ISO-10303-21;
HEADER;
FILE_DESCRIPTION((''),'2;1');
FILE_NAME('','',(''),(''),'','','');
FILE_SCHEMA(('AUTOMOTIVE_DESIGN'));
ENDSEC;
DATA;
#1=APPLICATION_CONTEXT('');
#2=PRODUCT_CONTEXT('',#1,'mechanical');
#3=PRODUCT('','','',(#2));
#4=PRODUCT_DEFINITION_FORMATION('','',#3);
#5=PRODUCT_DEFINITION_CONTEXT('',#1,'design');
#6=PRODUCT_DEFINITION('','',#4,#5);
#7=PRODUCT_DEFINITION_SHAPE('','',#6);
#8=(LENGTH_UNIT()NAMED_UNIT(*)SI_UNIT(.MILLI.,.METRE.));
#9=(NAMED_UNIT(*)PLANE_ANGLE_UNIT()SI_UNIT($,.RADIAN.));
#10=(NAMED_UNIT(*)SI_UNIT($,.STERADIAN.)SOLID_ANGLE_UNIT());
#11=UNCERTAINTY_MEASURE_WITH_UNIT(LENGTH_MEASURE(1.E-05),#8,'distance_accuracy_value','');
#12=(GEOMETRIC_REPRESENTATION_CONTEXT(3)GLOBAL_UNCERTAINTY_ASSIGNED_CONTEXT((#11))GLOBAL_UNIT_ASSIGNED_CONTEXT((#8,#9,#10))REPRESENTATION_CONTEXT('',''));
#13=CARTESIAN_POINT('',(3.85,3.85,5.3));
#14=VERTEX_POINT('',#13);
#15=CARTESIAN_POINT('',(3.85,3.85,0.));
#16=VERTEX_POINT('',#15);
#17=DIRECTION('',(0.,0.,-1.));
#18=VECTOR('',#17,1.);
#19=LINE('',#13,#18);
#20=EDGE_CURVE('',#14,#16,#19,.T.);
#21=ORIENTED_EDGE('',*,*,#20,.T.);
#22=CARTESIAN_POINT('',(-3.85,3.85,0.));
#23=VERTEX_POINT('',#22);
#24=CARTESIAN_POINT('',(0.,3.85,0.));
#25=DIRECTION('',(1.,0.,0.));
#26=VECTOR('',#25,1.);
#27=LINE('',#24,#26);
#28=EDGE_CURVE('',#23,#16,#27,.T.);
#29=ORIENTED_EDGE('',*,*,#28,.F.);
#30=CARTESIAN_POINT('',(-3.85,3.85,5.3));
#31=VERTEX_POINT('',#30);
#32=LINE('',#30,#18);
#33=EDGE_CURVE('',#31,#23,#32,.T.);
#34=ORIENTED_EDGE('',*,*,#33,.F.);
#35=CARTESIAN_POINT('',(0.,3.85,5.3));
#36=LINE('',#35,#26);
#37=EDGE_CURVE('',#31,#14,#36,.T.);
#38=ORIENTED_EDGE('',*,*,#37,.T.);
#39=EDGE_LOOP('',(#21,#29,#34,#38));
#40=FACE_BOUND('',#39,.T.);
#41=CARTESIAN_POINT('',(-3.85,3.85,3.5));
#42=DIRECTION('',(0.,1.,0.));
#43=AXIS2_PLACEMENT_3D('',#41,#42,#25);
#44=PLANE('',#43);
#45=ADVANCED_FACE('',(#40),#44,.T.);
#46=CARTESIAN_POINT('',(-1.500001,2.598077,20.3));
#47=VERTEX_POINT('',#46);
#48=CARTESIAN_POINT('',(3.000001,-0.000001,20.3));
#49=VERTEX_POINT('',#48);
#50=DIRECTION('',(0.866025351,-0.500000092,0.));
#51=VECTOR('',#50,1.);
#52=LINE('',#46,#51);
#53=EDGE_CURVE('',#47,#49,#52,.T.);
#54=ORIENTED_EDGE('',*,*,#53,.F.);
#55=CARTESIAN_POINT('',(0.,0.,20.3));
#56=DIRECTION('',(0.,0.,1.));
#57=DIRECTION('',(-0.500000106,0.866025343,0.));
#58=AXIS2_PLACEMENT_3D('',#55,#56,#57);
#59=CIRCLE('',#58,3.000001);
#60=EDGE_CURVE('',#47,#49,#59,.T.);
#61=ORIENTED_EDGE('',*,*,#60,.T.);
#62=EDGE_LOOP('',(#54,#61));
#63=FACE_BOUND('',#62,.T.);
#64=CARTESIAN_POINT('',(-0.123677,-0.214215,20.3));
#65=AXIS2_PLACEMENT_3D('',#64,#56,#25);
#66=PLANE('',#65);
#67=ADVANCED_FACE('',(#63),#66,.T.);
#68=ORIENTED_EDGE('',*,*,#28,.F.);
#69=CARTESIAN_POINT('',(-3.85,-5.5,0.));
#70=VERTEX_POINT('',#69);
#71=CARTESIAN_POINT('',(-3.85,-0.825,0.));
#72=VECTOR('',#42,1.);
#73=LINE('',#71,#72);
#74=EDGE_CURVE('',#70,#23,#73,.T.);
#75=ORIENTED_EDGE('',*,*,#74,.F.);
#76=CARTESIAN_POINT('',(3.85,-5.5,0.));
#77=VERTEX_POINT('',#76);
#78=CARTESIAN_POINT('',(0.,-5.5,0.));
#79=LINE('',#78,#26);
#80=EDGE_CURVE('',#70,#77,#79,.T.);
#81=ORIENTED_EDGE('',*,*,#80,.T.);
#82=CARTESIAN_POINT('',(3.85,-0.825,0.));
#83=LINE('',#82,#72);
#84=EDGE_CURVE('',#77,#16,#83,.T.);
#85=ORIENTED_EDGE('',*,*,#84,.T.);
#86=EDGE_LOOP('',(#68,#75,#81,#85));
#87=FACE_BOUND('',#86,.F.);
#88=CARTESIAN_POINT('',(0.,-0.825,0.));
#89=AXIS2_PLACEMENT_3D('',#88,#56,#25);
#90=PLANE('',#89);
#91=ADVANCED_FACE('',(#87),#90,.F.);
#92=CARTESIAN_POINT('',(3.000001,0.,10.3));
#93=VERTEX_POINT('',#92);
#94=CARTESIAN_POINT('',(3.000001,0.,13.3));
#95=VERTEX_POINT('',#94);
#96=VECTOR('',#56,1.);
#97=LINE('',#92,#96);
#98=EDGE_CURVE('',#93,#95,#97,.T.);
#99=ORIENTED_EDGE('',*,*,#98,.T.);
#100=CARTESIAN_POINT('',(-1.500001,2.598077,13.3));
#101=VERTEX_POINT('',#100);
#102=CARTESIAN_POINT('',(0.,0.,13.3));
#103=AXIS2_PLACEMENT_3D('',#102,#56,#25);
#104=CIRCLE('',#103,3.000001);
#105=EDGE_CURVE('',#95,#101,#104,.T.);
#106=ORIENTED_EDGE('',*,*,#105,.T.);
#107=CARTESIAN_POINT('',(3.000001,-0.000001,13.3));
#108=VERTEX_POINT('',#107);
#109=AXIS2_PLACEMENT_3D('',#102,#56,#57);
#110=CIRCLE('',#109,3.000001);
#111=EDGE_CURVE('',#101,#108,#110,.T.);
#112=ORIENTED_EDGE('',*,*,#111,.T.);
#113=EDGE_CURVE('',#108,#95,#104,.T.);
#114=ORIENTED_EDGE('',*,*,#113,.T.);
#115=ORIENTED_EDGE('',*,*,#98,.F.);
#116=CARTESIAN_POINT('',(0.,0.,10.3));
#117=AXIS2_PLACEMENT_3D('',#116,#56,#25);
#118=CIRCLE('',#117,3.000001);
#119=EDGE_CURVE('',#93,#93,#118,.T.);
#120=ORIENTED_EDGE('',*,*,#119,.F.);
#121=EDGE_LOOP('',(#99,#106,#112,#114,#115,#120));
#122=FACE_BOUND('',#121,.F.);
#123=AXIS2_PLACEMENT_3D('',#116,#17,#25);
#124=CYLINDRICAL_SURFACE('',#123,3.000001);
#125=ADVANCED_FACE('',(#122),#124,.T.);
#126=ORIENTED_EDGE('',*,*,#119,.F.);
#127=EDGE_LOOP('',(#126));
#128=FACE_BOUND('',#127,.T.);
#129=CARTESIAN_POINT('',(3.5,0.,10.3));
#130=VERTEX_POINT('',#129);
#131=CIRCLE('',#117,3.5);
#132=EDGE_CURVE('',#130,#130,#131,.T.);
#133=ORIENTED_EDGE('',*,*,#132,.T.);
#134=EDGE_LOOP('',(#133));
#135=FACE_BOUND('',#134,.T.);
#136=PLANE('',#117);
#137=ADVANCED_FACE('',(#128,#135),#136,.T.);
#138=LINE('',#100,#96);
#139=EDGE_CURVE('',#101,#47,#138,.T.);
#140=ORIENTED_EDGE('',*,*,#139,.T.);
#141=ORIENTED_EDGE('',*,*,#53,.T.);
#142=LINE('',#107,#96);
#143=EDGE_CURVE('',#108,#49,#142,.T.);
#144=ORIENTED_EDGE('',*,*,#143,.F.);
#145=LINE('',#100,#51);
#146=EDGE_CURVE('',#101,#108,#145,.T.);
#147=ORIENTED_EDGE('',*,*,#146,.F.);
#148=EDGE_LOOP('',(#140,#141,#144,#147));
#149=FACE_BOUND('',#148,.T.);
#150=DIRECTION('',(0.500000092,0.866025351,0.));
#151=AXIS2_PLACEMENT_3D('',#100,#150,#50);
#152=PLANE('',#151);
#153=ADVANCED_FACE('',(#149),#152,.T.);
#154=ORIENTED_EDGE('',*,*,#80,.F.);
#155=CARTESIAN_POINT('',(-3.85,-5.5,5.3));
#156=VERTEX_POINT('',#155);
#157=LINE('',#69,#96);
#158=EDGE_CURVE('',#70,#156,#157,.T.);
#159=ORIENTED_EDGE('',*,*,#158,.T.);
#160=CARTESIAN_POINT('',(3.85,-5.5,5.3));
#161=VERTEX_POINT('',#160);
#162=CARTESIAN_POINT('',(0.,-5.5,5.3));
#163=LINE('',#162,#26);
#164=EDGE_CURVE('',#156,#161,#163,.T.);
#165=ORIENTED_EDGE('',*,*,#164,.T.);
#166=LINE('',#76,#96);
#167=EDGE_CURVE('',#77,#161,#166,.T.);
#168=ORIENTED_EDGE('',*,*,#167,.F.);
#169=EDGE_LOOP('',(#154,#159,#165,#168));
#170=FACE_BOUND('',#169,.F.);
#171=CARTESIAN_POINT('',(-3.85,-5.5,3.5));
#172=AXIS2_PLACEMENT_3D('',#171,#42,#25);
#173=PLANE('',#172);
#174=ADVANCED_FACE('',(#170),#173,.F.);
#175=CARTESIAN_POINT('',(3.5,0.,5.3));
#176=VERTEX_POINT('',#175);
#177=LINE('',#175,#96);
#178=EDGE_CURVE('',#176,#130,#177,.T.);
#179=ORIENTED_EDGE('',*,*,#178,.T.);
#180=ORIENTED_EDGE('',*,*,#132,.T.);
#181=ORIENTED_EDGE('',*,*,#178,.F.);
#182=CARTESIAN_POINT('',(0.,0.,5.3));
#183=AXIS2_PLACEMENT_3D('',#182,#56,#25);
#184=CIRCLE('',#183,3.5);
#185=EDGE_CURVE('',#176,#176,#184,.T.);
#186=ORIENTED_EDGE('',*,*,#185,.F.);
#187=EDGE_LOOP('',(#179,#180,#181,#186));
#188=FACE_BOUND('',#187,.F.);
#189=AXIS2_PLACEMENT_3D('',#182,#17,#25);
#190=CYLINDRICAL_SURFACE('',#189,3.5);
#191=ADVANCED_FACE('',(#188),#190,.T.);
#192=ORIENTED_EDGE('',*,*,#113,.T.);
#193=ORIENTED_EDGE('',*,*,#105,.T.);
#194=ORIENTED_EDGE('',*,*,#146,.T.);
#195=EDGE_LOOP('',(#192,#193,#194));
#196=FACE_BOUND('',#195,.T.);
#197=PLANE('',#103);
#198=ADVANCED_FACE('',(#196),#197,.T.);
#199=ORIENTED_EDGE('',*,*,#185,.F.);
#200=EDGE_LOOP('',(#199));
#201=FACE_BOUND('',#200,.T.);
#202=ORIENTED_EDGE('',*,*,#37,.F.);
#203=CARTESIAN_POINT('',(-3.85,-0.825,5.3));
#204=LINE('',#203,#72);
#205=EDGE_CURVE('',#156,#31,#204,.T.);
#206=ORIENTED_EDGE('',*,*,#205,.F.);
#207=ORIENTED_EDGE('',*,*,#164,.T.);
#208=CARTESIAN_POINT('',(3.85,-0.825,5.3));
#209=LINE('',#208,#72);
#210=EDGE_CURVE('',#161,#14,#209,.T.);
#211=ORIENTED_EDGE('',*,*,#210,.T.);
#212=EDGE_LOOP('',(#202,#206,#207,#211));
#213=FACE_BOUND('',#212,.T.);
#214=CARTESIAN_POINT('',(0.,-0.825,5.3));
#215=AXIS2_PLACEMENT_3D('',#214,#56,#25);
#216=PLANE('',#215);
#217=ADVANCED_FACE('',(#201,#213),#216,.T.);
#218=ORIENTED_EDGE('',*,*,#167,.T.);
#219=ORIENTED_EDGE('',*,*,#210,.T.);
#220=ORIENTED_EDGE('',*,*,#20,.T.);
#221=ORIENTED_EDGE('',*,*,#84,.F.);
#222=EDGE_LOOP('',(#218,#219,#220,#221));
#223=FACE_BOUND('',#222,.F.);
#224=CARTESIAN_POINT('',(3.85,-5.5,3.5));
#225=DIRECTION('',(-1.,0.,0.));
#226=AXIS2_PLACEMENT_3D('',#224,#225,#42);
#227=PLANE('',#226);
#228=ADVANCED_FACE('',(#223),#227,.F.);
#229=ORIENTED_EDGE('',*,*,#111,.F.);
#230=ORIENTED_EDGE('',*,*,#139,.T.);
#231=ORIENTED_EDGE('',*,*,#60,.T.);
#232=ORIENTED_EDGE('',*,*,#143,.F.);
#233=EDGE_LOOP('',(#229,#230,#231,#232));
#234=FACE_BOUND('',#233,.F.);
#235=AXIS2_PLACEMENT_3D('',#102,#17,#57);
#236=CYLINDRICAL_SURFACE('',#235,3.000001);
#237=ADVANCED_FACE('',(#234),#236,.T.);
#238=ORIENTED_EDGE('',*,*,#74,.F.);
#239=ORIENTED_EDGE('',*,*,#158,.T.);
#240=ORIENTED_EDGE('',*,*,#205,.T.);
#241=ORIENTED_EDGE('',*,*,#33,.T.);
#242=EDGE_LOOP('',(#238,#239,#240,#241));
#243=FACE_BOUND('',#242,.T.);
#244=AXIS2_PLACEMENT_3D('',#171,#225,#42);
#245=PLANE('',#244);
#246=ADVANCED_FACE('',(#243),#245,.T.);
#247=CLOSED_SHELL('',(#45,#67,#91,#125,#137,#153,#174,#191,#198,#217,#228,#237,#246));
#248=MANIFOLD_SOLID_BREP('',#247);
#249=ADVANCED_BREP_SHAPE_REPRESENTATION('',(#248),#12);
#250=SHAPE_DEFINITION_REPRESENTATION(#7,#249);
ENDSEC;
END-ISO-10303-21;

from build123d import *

# Parameters (mm, degrees)
SKETCH002_W  = 7.7
SKETCH002_H  = 9.35
PAD_DEPTH    = 1
SKETCH003_W  = 7.7
SKETCH003_H  = 9.35
PAD001_DEPTH = 2.5
SKETCH004_W  = 7.7
SKETCH004_H  = 9.35
PAD002_DEPTH = 1.8
SKETCH005_R  = 3.5
PAD003_DEPTH = 5
SKETCH006_R  = 3.000001
PAD004_DEPTH = 3
PAD005_DEPTH = 7


with BuildPart() as part:
    # Sketch002 (on DatumPlane) → Pad (new body)
    with BuildSketch(Plane.XY):
        with Locations((0, -0.825)):
            Rectangle(SKETCH002_W, SKETCH002_H)
    extrude(amount=PAD_DEPTH)

    # Sketch003 (on DatumPlane) → Pad001 (join)
    with BuildSketch(Plane.XY.offset(1)):
        with Locations((0, -0.825)):
            Rectangle(SKETCH003_W, SKETCH003_H)
    extrude(amount=PAD001_DEPTH)

    # Sketch004 (on DatumPlane) → Pad002 (join)
    with BuildSketch(Plane.XY.offset(3.5)):
        with Locations((0, -0.825)):
            Rectangle(SKETCH004_W, SKETCH004_H)
    extrude(amount=PAD002_DEPTH)

    # Sketch005 (on DatumPlane) → Pad003 (join)
    with BuildSketch(Plane.XY.offset(5.3)):
        Circle(SKETCH005_R)
    extrude(amount=PAD003_DEPTH)

    # Sketch006 (on DatumPlane) → Pad004 (join)
    with BuildSketch(Plane.XY.offset(10.3)):
        Circle(SKETCH006_R)
    extrude(amount=PAD004_DEPTH)

    # Sketch007 (on DatumPlane) → Pad005 (join)
    with BuildSketch(Plane.XY.offset(13.3)):
        with BuildLine():
            ThreePointArc((-1.500001, 2.598077), (-1.500001, -2.598077), (3.000001, -1e-06))
            Line((-1.500001, 2.598077), (3.000001, -1e-06))
        make_face()
    extrude(amount=PAD005_DEPTH)


solid = part.part
